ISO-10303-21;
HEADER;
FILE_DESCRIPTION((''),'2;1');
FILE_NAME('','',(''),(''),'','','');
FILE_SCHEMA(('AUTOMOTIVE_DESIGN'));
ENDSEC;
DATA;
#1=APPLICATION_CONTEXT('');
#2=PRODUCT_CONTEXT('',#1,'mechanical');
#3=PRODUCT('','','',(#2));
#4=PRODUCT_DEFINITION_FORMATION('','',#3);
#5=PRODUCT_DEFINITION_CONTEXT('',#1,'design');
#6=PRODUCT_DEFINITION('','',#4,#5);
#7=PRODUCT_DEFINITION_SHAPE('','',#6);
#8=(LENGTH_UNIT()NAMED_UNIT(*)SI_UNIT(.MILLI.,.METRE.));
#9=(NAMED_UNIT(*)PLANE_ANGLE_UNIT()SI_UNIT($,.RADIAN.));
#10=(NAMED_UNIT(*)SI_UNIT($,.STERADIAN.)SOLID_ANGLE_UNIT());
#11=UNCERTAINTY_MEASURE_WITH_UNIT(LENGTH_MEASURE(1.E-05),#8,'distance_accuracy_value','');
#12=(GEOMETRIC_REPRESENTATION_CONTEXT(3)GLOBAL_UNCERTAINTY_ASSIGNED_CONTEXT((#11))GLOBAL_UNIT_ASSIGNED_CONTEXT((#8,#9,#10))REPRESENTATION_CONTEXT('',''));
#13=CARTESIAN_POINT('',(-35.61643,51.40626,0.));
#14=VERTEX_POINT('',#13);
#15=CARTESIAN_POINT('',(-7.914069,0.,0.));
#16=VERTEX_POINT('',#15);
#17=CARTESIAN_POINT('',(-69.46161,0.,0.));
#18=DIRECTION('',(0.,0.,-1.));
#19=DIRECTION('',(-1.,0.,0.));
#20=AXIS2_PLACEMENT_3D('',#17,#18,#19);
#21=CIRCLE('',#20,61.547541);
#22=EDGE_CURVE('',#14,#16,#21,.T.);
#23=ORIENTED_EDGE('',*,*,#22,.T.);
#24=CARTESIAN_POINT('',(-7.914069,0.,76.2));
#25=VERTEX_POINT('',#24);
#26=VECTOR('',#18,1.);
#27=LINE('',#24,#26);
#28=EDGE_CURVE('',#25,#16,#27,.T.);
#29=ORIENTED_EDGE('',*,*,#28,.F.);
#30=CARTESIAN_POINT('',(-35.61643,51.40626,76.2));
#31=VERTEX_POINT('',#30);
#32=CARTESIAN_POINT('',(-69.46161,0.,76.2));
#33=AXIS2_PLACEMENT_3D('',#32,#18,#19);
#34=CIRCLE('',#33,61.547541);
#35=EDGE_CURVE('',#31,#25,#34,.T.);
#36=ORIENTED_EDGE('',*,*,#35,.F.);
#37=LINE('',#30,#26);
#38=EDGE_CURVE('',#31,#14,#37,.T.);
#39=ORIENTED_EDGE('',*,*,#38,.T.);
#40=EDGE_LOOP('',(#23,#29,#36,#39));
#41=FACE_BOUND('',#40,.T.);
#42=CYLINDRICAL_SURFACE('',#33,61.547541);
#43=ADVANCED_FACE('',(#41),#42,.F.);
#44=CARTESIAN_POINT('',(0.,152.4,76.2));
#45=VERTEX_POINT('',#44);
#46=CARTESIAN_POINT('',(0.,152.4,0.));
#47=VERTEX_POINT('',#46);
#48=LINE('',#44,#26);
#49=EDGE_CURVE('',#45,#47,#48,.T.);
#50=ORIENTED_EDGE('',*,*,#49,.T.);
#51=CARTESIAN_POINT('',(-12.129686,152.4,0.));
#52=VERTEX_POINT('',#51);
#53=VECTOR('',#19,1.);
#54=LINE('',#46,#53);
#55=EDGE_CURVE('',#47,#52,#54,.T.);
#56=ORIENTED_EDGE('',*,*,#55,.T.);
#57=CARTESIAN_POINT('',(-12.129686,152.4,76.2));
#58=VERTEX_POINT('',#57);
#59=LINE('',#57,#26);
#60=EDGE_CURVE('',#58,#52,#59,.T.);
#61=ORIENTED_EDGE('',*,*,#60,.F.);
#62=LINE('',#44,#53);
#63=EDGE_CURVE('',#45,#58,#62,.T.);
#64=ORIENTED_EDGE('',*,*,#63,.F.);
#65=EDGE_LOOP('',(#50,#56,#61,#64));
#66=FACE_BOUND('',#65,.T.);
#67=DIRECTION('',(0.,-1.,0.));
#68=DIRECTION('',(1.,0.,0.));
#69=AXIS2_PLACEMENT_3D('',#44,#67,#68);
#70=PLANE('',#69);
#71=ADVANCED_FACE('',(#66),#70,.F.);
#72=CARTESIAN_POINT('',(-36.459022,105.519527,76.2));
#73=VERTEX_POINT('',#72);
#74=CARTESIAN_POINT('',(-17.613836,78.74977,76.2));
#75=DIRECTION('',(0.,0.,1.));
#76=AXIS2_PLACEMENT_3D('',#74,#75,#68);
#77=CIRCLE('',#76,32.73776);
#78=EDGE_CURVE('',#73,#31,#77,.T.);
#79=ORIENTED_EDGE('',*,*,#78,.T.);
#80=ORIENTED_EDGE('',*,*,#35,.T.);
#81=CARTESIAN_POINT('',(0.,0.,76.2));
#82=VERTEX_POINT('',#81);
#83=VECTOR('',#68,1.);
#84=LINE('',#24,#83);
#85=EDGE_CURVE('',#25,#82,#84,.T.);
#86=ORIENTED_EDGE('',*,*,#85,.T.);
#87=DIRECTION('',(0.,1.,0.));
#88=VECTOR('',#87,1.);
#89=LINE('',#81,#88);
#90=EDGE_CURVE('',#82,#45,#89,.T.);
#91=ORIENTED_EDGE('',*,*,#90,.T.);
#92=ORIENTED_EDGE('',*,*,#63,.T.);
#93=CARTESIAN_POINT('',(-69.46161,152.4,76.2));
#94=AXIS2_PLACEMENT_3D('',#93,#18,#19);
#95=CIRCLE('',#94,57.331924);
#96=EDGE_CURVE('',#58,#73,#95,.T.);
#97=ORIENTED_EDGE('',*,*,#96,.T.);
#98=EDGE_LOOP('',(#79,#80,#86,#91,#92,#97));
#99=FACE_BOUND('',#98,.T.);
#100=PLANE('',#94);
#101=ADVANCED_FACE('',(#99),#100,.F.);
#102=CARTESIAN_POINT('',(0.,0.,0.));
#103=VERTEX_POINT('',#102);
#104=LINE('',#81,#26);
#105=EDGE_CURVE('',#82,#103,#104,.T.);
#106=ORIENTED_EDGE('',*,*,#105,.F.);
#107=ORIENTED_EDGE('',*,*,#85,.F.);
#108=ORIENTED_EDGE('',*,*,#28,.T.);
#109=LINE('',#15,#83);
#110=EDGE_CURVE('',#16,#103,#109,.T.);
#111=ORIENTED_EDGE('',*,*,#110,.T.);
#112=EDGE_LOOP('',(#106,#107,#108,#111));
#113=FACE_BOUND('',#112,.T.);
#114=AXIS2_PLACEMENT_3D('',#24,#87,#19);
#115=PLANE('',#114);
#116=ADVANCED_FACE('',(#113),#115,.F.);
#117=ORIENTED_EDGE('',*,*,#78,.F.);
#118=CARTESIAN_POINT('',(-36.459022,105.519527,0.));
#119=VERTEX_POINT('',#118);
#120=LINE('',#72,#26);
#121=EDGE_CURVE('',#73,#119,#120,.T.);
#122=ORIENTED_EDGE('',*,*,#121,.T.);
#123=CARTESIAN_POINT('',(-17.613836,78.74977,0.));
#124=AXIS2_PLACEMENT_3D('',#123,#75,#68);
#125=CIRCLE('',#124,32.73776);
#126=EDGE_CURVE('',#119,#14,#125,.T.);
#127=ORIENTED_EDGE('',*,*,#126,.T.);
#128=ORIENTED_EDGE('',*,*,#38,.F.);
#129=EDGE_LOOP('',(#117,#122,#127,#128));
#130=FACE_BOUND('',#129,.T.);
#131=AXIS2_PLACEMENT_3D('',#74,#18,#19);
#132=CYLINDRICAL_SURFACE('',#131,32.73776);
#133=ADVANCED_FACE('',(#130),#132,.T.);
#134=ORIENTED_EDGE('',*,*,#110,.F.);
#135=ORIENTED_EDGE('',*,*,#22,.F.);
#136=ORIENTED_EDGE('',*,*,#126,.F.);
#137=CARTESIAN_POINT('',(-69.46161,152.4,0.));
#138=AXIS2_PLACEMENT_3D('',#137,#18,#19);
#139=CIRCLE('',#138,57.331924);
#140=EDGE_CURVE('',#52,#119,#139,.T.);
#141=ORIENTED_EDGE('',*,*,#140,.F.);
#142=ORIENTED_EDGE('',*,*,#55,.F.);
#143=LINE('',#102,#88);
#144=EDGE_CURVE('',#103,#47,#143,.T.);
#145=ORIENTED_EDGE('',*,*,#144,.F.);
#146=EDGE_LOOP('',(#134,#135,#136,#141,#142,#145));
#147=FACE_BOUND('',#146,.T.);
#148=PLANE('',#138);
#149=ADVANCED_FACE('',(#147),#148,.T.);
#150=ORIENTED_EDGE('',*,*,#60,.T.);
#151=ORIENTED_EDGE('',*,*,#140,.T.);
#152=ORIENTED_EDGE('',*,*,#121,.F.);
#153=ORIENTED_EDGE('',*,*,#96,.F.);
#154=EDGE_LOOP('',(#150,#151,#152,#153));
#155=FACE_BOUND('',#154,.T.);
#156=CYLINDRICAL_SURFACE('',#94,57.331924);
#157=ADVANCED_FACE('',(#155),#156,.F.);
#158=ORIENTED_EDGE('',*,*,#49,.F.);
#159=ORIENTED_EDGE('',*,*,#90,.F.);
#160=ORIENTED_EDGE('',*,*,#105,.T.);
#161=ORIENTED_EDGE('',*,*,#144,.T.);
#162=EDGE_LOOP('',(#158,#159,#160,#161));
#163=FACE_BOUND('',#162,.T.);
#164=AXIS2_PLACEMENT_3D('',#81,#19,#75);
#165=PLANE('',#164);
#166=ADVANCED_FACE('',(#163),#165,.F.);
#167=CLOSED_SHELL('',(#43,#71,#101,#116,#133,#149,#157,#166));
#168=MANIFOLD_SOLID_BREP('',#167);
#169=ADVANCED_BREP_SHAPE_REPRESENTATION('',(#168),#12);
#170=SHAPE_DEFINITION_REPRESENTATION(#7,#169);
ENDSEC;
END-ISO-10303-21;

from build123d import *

# Parameters (mm, degrees)
BOSS_EXTRUDE1_DEPTH = 76.2


with BuildPart() as part:
    # Sketch1 → Boss-Extrude1 (new body)
    with BuildSketch(Plane.XY):
        with BuildLine():
            Line((0, 0), (0, 152.4))
            Line((0, 152.4), (-12.12968568, 152.4))
            ThreePointArc((-12.12968568, 152.4), (-18.574227405, 125.991216696), (-36.459022154, 105.51952721))
            ThreePointArc((-36.459022154, 105.51952721), (-50.347627866, 78.240075602), (-35.61642966, 51.406260217))
            ThreePointArc((-35.61642966, 51.406260217), (-15.280490274, 29.197707061), (-7.914068731, 0))
            Line((-7.914068731, 0), (0, 0))
        make_face()
    extrude(amount=BOSS_EXTRUDE1_DEPTH)


solid = part.part
